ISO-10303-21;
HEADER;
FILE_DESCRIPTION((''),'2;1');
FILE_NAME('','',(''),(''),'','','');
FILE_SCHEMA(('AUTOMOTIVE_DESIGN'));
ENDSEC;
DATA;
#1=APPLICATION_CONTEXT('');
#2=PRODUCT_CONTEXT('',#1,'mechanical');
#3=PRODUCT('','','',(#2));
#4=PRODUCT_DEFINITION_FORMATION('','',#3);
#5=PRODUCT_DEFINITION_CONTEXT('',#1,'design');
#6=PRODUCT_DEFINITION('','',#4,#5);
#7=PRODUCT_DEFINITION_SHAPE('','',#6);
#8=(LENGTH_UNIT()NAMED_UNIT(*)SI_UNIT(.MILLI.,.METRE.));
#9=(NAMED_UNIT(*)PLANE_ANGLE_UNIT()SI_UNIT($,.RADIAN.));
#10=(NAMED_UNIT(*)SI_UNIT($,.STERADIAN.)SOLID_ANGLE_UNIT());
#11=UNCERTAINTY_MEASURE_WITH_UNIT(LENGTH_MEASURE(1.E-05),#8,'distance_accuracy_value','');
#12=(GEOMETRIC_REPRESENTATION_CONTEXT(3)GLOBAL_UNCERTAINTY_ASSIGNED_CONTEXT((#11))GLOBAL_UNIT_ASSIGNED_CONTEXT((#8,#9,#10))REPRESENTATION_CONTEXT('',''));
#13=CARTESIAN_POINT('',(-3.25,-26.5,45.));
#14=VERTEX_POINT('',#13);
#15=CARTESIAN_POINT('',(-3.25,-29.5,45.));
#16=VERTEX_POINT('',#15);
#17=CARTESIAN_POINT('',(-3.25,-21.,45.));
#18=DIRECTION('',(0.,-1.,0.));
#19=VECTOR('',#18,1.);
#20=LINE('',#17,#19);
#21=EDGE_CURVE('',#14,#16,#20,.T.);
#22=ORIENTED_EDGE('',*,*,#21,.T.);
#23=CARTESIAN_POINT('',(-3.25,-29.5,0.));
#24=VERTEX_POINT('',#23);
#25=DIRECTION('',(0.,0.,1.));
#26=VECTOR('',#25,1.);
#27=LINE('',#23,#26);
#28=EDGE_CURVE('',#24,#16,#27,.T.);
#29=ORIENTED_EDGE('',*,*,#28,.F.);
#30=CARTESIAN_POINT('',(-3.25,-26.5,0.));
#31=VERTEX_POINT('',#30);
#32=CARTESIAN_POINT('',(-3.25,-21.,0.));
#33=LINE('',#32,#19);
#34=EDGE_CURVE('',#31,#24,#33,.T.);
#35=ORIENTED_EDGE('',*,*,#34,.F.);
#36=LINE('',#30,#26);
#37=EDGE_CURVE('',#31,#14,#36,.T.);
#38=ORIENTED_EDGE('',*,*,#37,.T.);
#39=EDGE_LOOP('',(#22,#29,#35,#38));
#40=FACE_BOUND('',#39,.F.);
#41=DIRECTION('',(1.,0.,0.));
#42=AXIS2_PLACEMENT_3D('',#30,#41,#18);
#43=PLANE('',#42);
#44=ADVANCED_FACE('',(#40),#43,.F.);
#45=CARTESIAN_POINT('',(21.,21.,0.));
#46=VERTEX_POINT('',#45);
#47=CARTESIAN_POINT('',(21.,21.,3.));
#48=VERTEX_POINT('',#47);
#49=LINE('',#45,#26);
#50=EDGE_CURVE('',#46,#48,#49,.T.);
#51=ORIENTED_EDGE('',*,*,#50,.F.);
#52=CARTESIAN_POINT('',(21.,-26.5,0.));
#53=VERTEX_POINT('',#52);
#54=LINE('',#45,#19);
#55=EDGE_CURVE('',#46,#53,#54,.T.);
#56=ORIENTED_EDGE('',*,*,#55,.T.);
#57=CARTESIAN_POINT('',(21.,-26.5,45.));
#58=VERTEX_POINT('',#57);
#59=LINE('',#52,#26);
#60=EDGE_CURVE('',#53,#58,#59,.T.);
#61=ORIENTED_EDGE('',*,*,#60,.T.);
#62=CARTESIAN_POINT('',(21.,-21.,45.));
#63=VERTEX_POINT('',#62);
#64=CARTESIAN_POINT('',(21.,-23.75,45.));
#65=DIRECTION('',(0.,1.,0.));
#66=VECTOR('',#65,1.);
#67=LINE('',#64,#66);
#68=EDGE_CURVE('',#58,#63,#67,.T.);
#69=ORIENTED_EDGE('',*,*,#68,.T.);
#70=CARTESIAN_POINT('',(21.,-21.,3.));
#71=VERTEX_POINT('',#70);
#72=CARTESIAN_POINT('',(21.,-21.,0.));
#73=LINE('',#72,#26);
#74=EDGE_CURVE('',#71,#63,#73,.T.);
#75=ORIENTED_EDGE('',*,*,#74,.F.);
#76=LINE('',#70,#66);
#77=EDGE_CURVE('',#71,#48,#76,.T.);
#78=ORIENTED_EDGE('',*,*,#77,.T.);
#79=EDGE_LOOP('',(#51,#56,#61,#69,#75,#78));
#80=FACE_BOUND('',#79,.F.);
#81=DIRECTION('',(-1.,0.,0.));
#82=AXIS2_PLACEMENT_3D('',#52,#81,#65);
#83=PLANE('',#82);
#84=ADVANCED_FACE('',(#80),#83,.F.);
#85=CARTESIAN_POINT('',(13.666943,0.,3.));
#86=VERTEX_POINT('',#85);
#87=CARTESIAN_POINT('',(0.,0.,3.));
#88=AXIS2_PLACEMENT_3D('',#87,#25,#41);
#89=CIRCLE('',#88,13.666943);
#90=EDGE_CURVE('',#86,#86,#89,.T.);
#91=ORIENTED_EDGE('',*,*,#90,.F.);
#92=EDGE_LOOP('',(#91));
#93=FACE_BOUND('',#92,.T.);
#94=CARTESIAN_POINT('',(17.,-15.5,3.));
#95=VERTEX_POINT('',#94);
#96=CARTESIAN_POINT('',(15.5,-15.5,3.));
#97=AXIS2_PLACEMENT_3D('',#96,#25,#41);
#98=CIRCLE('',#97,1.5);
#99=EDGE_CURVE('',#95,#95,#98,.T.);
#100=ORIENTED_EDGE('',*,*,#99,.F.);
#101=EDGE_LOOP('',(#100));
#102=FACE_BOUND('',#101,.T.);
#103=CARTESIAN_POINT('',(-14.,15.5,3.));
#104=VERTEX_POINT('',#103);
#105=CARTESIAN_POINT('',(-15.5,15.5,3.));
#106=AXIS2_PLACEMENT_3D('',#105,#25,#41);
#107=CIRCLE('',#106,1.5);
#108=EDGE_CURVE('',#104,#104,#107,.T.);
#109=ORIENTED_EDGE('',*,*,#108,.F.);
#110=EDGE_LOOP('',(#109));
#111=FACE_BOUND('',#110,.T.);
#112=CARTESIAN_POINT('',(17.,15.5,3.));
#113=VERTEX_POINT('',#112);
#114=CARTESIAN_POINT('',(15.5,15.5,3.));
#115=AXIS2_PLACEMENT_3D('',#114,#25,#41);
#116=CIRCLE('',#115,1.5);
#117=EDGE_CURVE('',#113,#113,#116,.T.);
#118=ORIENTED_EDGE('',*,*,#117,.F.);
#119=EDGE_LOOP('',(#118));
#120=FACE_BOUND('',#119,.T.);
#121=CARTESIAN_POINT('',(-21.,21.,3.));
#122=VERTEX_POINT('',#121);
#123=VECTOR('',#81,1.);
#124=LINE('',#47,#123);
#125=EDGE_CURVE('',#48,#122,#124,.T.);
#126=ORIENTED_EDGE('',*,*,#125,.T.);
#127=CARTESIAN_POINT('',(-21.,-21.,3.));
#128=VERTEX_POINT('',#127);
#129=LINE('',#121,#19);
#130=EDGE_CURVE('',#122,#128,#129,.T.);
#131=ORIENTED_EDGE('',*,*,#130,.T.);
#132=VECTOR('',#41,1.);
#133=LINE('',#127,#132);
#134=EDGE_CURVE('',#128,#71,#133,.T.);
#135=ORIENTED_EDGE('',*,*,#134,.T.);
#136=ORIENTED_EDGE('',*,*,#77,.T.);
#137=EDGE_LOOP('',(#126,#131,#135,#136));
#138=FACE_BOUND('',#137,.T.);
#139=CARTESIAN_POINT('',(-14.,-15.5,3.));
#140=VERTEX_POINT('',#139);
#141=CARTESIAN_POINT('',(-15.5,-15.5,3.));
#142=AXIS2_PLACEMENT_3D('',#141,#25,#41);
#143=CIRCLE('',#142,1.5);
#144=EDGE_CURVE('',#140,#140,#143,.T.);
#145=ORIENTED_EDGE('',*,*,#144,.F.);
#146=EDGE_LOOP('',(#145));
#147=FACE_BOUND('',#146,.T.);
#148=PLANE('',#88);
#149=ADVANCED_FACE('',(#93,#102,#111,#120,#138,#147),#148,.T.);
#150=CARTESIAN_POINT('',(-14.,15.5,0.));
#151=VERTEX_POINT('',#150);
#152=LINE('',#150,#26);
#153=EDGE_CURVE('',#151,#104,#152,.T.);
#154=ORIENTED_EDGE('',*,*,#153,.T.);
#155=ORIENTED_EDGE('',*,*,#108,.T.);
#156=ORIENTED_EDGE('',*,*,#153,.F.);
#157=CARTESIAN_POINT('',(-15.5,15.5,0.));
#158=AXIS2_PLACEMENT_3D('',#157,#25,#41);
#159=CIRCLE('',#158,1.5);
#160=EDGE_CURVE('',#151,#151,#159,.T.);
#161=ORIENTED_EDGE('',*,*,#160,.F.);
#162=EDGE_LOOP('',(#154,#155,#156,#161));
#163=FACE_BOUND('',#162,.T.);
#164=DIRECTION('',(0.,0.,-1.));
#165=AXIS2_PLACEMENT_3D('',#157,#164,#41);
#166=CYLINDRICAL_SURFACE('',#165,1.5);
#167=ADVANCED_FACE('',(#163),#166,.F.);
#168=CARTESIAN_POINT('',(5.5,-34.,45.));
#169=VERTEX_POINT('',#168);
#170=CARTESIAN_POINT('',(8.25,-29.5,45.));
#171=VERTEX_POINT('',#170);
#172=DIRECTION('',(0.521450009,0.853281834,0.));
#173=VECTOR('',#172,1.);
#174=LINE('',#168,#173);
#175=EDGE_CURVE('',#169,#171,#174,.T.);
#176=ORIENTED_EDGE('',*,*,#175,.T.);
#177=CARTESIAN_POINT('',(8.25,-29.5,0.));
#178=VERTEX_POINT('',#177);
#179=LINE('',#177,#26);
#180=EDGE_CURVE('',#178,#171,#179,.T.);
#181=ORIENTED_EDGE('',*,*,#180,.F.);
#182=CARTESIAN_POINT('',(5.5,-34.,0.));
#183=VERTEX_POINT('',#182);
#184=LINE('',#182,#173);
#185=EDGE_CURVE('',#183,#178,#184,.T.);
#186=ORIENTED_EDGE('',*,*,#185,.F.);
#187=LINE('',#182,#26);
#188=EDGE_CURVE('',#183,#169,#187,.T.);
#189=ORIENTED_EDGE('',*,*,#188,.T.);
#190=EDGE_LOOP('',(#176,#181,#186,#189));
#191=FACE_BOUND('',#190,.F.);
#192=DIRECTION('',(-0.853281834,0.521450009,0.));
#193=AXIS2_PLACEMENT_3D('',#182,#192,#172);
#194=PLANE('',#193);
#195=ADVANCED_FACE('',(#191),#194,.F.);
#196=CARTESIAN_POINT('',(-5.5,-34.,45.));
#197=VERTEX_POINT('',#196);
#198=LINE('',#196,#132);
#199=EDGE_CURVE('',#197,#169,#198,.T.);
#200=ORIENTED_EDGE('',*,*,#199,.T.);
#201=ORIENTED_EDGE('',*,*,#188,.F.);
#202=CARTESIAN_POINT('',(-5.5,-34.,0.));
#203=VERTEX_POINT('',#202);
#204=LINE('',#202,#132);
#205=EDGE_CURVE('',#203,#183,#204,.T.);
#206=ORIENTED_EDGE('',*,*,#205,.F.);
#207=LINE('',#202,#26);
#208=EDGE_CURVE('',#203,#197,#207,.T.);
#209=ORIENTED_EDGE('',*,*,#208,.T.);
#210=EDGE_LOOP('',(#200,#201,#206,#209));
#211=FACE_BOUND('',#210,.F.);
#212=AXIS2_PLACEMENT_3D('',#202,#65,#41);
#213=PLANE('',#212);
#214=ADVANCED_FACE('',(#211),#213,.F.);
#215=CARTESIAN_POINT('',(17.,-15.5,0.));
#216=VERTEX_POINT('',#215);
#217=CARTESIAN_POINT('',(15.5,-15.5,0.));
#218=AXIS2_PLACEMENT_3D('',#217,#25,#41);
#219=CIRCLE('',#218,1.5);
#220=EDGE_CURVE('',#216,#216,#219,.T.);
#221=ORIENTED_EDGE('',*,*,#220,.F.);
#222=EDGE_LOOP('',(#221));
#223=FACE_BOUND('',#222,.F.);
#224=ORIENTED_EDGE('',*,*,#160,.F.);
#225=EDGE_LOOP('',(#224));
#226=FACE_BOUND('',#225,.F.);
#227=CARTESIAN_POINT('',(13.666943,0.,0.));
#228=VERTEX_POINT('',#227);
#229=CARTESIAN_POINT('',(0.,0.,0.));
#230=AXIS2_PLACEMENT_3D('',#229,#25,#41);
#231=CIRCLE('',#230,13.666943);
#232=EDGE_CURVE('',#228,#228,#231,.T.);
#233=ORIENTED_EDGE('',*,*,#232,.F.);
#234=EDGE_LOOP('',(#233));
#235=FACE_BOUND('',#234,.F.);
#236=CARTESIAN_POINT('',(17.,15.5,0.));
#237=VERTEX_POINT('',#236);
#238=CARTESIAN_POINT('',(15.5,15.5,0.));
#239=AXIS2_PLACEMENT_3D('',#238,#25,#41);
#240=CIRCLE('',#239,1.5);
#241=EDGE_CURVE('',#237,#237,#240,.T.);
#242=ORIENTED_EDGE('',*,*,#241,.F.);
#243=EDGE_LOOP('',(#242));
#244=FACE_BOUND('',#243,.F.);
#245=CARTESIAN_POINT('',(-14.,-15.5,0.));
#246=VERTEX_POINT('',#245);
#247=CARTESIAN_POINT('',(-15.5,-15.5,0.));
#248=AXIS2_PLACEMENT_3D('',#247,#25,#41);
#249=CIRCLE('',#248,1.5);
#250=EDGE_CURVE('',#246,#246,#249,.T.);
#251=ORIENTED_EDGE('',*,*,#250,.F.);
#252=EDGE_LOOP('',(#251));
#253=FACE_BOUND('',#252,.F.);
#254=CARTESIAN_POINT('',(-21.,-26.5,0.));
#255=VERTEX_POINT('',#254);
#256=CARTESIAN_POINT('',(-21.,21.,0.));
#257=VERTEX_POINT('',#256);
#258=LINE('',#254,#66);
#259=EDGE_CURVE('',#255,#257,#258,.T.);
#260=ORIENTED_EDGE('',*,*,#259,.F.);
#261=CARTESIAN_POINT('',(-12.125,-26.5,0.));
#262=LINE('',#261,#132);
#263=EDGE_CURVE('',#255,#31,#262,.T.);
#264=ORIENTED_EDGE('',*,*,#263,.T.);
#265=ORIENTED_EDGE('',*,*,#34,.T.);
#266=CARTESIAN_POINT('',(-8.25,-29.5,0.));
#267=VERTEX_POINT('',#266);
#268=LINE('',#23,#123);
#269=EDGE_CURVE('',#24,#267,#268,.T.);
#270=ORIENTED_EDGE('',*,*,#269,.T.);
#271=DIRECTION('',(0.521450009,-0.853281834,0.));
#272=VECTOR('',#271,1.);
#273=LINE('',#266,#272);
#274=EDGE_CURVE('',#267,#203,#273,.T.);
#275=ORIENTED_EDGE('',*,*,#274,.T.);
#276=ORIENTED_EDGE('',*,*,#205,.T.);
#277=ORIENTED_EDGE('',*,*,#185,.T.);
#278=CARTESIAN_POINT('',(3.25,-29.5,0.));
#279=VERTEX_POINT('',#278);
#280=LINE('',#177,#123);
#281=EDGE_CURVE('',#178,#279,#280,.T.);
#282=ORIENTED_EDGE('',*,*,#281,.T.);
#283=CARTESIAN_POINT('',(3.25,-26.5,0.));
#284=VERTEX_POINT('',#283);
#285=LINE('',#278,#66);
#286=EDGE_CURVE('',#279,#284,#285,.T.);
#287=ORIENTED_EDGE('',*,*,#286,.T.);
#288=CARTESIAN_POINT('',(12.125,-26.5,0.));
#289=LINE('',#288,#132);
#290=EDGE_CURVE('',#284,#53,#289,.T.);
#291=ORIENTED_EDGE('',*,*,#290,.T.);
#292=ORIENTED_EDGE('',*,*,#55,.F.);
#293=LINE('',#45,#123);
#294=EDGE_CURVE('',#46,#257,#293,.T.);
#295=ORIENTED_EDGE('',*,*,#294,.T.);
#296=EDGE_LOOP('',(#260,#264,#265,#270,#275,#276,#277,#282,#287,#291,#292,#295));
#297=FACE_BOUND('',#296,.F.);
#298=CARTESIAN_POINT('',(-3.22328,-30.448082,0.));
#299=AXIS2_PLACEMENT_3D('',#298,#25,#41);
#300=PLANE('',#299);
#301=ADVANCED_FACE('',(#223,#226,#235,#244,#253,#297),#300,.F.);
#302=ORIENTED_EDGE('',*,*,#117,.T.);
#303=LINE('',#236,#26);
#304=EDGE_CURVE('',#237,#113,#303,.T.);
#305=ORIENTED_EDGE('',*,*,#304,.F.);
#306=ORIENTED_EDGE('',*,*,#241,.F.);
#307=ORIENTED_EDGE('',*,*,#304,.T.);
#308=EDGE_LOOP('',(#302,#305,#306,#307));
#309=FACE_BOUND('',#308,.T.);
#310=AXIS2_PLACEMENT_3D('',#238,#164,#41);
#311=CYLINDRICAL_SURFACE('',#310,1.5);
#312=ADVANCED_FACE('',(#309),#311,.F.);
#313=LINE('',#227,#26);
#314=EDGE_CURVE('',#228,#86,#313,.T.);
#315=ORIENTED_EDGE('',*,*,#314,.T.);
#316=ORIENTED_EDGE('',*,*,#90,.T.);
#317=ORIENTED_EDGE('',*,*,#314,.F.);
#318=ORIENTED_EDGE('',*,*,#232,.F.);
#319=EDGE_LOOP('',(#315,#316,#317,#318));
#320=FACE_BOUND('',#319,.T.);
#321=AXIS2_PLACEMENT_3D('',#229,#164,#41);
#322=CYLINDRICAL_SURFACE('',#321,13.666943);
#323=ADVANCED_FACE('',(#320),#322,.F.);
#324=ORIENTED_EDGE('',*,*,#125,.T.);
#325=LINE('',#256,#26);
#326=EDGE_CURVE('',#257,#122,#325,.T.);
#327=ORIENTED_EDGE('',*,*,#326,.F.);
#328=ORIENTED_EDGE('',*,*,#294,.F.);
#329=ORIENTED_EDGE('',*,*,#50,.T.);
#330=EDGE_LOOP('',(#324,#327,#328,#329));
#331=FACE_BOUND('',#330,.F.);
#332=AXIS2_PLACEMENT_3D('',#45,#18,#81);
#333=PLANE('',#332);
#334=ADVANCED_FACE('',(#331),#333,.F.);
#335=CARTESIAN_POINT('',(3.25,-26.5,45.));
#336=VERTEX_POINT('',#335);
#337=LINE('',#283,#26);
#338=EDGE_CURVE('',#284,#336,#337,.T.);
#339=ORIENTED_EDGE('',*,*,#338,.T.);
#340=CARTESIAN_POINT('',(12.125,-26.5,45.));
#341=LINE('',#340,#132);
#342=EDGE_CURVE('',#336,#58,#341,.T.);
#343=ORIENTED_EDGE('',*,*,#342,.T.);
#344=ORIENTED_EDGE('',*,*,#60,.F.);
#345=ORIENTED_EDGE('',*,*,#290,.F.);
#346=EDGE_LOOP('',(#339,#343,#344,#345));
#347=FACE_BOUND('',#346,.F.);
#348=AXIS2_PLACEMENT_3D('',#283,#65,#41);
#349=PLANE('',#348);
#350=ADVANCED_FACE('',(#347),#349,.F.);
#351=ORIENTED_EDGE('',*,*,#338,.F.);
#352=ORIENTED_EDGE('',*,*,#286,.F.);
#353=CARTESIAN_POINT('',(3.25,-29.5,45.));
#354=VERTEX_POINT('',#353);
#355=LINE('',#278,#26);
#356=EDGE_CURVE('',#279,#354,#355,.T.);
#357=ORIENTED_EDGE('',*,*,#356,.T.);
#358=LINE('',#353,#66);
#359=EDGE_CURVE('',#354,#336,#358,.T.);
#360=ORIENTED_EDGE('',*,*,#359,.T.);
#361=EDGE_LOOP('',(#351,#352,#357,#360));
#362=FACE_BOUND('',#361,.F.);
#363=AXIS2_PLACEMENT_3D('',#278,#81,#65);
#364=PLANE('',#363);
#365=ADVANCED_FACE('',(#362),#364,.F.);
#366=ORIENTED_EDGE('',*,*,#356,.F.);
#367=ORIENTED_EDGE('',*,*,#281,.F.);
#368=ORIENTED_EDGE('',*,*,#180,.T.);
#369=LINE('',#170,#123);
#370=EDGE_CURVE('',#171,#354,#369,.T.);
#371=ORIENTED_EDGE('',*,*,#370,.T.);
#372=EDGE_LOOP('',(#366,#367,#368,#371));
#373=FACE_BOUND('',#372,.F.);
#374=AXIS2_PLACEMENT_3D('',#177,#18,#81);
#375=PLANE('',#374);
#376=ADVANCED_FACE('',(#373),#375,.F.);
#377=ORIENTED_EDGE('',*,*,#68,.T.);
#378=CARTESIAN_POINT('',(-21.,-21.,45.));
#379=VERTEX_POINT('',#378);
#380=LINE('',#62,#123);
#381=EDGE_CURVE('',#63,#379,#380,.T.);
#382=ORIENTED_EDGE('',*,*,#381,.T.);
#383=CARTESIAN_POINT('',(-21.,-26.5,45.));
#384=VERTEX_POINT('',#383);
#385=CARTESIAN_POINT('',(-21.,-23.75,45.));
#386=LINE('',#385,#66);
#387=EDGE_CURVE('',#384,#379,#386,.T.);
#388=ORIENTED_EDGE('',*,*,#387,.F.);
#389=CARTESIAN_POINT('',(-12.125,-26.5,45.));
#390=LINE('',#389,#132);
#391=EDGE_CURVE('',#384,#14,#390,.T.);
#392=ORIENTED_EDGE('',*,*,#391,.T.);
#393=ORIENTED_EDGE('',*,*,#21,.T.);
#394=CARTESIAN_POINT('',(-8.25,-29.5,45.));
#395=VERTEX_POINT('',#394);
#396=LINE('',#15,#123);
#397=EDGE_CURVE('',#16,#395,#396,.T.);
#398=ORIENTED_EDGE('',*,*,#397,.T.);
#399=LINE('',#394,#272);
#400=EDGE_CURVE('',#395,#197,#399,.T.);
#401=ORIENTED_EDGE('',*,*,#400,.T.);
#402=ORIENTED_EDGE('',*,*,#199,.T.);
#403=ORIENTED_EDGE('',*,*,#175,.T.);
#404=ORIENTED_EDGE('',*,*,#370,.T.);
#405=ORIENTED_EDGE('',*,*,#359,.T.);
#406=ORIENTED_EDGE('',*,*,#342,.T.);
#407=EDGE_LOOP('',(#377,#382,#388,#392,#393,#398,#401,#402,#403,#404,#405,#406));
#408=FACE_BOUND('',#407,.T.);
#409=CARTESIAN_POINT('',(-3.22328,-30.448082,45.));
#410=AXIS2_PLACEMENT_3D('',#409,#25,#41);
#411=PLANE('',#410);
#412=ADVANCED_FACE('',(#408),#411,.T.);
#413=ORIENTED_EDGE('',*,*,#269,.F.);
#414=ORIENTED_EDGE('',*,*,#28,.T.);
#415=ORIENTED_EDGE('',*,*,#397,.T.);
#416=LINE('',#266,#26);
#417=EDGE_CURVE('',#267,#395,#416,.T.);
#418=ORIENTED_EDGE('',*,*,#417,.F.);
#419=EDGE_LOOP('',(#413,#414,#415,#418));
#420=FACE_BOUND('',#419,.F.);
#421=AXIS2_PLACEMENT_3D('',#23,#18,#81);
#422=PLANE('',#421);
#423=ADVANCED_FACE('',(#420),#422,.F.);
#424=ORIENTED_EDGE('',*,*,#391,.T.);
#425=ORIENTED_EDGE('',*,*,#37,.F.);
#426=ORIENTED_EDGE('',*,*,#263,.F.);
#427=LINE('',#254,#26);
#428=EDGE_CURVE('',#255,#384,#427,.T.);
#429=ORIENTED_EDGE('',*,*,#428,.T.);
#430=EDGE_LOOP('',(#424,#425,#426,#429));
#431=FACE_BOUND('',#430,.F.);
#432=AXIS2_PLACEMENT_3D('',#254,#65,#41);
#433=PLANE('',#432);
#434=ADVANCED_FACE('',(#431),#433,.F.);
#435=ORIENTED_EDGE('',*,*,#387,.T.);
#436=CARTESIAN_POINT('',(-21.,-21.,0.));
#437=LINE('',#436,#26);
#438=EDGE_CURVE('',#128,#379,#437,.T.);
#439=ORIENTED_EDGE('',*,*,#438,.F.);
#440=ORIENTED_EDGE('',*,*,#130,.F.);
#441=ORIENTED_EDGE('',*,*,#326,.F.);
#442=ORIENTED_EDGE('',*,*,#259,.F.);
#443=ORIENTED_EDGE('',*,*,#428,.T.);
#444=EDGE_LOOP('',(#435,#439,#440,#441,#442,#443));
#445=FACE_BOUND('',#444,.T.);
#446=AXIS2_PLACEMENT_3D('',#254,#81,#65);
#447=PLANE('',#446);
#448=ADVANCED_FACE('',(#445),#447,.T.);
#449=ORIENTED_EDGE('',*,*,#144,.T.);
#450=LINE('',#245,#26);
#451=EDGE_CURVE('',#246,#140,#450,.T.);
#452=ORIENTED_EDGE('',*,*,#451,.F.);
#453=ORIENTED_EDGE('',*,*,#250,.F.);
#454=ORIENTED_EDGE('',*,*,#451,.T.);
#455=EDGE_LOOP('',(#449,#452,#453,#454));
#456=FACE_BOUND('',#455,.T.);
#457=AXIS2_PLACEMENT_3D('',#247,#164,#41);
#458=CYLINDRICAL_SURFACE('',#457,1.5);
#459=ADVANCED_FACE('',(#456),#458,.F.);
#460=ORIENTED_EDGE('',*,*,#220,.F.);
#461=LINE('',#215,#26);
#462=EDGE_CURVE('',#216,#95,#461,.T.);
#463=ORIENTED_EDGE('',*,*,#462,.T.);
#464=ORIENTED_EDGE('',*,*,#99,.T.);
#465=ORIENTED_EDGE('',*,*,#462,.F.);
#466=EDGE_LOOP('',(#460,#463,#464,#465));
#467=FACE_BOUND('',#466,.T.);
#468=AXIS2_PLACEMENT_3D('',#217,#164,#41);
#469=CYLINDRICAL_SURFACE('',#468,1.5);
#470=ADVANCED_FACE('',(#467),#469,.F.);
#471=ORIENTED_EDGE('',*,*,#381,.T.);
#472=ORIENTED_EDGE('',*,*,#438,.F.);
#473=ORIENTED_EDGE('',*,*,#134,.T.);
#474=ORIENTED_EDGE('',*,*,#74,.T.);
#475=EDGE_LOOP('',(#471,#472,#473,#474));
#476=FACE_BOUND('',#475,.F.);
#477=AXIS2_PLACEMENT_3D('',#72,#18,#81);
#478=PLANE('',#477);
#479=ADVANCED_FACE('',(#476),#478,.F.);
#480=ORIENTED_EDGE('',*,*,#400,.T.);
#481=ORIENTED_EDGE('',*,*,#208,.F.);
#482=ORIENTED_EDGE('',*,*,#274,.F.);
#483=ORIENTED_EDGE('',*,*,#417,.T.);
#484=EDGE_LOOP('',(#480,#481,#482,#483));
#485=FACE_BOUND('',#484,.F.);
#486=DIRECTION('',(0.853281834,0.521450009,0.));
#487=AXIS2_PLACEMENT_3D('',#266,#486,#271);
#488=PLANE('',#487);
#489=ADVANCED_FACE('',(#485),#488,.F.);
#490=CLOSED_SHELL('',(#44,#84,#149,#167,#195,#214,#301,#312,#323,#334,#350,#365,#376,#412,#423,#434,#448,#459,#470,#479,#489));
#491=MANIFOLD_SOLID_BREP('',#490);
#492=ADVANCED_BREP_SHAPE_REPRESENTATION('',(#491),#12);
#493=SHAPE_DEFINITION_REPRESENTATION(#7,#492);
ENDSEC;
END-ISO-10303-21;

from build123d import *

# Parameters (mm, degrees)
F0_R     = 1.5
F0_R_2   = 13.666943
F1_DEPTH = 3
F0_W     = 3.25
F0_H     = 5.5
F0_W_2   = 17.75
F2_DEPTH = 45


with BuildPart() as f1:
    # F0 (on Top) → F1 (new body)
    with BuildSketch(Plane.XY):
        Polygon((21, 21), (-21, 21), (-21, -21), (-3.25, -21), (0, -21), (3.25, -21), (21, -21), align=None)
        with Locations((-15.5, -15.5)):
            Circle(F0_R, mode=Mode.SUBTRACT)
        with Locations((15.5, -15.5)):
            Circle(F0_R, mode=Mode.SUBTRACT)
        with Locations((-15.5, 15.5)):
            Circle(F0_R, mode=Mode.SUBTRACT)
        Circle(F0_R_2, mode=Mode.SUBTRACT)
        with Locations((15.5, 15.5)):
            Circle(F0_R, mode=Mode.SUBTRACT)
    extrude(amount=F1_DEPTH)

    # F0 (on Top) → F2 (join)
    with BuildSketch(Plane.XY):
        Polygon((0, -26.5), (-3.25, -26.5), (-3.25, -29.5), (-8.25, -29.5), (-5.5, -34), (0, -34), align=None)
        Polygon((3.25, -29.5), (3.25, -26.5), (0, -26.5), (0, -34), (5.5, -34), (8.25, -29.5), align=None)
        with Locations((1.625, -23.75)):
            Rectangle(F0_W, F0_H)
        with Locations((12.125, -23.75)):
            Rectangle(F0_W_2, F0_H)
        with Locations((-1.625, -23.75)):
            Rectangle(F0_W, F0_H)
        with Locations((-12.125, -23.75)):
            Rectangle(F0_W_2, F0_H)
    extrude(amount=F2_DEPTH)


solid = f1.part
